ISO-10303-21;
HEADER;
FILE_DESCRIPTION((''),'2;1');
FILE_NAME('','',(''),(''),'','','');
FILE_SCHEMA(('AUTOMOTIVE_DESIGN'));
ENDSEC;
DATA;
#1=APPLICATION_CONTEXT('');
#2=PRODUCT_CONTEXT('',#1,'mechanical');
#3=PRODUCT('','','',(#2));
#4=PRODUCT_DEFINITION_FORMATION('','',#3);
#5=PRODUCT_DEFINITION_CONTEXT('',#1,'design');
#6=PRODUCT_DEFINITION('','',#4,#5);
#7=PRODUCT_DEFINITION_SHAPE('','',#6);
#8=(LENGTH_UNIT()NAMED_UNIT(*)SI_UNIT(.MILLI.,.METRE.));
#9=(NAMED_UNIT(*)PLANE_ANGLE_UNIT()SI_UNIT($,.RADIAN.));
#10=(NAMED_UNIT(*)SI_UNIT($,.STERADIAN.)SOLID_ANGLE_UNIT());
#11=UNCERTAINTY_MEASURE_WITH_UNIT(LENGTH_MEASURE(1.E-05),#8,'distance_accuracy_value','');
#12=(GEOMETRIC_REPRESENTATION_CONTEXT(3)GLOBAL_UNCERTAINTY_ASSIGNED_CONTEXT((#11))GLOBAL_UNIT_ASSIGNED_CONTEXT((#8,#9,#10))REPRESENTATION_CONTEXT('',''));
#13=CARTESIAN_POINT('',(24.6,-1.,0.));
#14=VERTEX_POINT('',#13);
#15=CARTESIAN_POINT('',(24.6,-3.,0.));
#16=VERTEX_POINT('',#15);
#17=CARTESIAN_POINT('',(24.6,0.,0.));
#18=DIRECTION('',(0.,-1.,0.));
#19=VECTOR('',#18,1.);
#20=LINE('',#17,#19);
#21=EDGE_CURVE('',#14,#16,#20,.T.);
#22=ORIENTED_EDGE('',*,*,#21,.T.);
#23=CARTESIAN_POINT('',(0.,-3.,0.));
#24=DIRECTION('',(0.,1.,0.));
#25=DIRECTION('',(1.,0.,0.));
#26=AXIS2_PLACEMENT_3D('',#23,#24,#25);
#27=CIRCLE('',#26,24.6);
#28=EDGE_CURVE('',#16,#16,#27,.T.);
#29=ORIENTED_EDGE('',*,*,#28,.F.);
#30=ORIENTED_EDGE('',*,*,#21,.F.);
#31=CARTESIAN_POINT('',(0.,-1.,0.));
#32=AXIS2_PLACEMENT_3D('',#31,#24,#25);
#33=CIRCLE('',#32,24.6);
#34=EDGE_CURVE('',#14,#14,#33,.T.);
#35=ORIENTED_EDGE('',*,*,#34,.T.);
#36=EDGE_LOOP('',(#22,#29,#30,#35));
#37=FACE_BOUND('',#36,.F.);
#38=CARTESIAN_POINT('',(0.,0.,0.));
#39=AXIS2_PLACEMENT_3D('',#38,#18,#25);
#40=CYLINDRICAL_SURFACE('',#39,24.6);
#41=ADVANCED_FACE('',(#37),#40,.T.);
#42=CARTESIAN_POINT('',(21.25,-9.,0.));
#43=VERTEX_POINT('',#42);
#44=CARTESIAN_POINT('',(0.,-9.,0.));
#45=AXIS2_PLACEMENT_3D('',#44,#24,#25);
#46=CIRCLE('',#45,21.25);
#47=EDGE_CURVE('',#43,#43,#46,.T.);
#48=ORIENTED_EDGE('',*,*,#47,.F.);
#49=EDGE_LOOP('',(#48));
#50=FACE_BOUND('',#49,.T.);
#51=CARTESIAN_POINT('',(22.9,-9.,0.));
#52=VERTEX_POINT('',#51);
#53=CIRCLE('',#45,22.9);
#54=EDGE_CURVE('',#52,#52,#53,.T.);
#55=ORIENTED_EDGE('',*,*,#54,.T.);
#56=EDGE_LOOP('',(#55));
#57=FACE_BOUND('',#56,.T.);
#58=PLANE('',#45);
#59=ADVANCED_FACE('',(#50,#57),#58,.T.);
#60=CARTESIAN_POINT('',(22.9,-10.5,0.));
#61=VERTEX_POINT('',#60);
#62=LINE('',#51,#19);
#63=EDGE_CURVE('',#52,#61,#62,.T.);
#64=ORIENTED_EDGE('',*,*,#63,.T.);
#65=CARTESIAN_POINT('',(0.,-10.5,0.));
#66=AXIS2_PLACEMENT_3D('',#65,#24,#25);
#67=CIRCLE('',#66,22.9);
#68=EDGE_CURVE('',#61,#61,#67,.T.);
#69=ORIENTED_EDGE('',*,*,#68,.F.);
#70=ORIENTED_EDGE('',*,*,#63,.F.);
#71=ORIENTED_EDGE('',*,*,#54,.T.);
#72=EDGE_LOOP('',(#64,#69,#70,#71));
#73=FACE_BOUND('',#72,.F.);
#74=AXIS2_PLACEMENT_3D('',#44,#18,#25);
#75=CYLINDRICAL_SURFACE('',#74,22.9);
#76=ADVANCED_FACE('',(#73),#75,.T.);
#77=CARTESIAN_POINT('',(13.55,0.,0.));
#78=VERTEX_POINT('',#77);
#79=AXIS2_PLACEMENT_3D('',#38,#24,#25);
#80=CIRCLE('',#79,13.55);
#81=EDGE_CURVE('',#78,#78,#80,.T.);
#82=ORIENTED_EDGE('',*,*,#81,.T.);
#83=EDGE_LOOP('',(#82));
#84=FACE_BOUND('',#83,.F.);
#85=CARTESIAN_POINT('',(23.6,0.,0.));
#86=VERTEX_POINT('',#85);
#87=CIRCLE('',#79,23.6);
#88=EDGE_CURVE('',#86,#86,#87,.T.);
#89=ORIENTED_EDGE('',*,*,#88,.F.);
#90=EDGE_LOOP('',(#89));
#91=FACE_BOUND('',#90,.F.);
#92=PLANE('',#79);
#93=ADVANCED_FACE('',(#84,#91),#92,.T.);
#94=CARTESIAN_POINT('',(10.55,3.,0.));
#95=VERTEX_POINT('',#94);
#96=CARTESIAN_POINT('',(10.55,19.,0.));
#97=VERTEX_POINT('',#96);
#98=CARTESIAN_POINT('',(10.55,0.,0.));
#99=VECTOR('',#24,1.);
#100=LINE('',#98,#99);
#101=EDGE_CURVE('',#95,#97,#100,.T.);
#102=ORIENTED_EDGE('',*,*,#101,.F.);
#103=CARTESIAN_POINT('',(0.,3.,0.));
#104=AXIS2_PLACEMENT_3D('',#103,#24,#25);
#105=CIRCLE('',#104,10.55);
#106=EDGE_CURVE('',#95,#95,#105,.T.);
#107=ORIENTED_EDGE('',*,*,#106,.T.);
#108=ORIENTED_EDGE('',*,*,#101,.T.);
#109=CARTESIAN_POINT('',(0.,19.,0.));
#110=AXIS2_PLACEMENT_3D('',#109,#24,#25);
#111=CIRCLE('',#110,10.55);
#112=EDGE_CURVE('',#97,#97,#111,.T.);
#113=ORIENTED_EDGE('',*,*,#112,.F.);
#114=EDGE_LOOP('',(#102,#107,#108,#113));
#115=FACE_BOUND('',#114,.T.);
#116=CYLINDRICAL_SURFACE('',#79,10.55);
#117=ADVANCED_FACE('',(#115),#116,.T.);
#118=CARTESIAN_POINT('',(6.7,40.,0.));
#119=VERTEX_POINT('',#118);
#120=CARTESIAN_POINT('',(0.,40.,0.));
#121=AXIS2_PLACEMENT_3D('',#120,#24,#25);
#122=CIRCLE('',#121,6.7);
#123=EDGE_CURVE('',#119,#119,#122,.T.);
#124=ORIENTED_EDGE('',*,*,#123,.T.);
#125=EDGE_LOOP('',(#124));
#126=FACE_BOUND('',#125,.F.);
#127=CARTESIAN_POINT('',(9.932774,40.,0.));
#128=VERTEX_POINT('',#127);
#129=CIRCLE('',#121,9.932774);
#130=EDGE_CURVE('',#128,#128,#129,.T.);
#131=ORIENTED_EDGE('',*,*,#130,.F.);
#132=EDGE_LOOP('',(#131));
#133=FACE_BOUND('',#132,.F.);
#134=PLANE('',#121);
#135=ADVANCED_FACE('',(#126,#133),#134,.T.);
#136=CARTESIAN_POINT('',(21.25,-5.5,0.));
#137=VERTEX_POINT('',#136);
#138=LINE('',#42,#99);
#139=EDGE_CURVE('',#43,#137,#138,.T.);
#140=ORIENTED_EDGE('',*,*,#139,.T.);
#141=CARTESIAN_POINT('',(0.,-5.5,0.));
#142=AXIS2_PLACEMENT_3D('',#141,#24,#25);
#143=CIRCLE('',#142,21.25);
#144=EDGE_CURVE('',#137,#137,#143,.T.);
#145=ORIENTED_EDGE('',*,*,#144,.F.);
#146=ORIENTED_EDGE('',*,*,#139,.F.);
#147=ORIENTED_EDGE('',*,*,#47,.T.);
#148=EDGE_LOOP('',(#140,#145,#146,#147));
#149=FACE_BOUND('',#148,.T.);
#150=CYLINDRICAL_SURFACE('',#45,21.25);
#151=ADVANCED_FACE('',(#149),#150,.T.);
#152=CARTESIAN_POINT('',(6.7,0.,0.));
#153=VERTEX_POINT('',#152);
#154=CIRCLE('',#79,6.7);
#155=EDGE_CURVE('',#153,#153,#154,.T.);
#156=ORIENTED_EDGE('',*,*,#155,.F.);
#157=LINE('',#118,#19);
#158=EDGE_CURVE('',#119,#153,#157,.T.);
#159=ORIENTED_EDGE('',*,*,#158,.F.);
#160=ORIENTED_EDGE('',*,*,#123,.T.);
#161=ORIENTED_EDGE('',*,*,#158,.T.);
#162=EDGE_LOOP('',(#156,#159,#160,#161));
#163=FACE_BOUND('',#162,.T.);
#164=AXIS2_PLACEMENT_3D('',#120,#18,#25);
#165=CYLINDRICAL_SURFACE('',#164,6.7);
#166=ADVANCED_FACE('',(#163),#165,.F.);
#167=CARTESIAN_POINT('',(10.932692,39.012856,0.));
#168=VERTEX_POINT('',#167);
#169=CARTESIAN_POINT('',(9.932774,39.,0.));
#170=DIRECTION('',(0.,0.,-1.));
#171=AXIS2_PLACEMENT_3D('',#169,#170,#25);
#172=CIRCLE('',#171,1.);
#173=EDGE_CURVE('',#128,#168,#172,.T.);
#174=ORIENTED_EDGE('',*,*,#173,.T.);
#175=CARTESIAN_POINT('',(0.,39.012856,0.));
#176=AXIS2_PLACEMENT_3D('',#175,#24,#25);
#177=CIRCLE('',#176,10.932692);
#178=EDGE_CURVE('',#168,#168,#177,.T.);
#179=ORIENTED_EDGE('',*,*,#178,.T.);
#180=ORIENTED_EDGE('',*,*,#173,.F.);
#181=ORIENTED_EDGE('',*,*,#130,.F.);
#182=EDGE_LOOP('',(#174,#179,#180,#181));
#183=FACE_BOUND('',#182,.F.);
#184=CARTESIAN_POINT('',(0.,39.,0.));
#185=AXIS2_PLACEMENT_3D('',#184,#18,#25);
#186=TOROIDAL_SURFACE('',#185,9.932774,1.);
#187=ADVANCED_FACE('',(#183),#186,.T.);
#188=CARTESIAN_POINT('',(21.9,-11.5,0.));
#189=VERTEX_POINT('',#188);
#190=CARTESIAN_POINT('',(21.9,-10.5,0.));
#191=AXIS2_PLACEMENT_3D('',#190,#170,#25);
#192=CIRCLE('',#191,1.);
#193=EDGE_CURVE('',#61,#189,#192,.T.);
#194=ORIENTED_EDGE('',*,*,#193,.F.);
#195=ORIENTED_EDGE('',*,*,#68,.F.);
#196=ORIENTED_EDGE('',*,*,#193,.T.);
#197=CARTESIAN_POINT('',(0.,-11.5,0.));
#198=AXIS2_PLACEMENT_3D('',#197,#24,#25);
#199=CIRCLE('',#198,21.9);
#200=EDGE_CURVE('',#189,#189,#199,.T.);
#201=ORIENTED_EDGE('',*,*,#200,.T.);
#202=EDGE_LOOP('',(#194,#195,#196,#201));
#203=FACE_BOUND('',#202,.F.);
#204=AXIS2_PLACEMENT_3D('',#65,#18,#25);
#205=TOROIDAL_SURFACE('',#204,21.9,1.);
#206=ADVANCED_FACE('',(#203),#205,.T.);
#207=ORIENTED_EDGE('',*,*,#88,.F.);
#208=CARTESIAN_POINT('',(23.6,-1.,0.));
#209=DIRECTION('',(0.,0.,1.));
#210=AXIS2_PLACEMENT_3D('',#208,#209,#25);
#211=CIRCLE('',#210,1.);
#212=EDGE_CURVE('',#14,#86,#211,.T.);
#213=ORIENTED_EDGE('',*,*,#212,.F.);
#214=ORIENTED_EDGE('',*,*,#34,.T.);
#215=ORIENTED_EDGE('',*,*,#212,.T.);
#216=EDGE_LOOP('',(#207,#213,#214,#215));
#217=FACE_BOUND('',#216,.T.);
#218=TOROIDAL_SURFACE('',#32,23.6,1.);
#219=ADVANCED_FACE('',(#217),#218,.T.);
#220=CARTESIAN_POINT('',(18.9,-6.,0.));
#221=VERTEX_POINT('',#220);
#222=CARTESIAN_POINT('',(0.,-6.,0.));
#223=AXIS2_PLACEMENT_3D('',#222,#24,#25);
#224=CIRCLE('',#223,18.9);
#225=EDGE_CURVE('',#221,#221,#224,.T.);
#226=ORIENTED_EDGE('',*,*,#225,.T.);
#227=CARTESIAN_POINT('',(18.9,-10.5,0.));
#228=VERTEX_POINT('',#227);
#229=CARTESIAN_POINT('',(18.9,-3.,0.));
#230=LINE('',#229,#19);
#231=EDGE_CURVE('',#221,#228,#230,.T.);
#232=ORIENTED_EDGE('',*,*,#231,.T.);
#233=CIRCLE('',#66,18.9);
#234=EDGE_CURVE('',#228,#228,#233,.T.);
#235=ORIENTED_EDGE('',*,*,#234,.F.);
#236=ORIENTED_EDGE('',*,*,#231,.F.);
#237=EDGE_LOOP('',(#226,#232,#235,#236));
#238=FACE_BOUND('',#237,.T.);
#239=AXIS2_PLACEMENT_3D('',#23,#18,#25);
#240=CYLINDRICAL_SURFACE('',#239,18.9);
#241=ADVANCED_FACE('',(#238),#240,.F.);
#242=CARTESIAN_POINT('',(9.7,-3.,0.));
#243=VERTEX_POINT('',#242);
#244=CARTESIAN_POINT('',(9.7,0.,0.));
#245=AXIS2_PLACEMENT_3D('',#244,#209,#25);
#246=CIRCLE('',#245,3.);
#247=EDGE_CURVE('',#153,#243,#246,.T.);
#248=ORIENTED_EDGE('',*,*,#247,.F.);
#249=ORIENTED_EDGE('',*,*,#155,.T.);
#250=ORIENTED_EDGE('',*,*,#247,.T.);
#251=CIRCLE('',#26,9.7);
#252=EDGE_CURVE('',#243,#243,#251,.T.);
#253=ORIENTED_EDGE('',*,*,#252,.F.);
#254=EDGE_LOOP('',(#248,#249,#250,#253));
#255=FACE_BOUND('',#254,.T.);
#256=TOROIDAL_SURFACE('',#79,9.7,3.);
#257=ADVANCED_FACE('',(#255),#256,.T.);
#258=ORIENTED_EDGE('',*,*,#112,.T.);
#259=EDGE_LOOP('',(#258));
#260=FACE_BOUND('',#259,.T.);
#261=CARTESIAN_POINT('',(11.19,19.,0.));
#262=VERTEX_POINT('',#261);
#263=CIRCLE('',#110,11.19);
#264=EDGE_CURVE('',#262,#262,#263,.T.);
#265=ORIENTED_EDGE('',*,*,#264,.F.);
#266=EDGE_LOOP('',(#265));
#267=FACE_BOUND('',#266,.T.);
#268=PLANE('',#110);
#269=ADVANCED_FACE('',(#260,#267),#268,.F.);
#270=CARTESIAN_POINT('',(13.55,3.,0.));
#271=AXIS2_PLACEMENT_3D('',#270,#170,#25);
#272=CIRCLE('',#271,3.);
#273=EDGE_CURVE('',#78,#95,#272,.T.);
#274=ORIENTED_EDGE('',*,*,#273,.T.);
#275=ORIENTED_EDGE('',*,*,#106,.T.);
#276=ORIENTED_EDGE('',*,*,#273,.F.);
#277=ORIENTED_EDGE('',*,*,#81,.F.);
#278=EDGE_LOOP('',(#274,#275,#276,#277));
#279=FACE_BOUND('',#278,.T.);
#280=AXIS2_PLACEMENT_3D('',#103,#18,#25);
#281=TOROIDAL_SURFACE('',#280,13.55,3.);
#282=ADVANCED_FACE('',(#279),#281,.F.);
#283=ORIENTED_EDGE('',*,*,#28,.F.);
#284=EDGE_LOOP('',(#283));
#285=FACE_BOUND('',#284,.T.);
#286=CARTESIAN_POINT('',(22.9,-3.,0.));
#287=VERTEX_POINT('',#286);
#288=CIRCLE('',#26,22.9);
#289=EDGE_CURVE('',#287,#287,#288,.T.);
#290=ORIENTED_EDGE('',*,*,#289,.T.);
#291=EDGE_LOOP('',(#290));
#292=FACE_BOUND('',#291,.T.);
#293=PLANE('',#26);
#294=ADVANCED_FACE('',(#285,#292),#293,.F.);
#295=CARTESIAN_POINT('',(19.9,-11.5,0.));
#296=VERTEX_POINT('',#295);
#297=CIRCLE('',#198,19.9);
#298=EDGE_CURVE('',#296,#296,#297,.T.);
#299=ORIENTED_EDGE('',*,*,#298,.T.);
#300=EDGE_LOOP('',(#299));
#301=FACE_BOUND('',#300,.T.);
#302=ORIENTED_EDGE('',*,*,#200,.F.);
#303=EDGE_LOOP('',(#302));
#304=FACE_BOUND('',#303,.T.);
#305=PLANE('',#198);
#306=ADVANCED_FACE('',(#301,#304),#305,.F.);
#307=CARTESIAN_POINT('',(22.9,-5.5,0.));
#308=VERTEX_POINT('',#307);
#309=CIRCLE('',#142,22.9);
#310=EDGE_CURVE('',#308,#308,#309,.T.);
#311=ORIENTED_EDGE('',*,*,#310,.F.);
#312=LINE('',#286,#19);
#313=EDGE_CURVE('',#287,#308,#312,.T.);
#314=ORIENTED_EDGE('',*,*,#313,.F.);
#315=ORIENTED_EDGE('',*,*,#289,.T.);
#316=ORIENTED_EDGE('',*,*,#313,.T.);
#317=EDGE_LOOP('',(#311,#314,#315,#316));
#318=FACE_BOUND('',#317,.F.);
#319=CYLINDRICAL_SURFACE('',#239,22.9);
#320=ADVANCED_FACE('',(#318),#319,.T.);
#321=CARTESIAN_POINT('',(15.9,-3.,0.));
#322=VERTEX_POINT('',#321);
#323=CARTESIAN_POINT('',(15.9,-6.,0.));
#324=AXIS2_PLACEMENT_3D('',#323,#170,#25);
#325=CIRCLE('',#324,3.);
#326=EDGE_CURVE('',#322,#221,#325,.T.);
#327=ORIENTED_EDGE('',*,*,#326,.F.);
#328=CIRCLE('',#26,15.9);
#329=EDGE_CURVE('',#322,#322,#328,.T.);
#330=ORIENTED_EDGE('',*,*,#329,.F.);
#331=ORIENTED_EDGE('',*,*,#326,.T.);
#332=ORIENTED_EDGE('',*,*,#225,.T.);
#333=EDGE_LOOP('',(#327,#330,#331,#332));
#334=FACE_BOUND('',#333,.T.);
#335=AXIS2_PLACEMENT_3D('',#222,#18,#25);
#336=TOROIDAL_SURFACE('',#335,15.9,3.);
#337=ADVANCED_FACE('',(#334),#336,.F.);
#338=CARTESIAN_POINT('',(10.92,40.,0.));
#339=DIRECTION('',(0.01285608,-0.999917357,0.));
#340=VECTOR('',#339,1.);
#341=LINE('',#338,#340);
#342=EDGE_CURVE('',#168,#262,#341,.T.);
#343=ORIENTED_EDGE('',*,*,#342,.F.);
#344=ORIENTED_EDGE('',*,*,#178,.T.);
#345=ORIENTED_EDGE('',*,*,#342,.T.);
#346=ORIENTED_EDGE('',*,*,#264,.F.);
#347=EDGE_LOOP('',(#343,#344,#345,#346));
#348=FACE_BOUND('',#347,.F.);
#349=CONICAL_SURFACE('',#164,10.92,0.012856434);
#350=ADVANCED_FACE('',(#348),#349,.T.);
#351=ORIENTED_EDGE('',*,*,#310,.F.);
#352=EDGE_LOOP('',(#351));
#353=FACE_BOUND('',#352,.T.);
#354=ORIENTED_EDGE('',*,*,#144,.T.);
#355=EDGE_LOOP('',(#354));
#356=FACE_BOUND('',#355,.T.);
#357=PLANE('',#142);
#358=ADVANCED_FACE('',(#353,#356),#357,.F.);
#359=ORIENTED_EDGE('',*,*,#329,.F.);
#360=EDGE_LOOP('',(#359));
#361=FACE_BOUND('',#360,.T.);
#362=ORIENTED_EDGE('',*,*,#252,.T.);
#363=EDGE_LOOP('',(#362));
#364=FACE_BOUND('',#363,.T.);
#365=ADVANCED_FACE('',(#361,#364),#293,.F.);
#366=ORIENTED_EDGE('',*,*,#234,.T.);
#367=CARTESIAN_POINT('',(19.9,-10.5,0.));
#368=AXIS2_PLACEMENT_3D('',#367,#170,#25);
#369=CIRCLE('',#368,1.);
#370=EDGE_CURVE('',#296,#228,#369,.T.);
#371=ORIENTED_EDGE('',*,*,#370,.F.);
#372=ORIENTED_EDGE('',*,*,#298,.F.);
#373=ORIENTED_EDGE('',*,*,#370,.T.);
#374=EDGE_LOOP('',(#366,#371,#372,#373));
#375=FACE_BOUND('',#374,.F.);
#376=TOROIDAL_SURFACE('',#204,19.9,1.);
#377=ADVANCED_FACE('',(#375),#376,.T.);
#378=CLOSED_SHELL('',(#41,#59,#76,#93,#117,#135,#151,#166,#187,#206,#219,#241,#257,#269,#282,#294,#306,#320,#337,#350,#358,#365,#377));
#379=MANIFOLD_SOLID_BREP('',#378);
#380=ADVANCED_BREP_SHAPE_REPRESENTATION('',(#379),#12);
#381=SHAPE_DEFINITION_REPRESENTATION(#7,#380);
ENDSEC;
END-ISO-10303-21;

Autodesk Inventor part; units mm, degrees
ref_plane "YZ Plane" through (0, 0, 0) normal (1, 0, 0) x (0, 1, 0)
ref_plane "XZ Plane" through (0, 0, 0) normal (0, 1, 0) x (-1, 0, 0)
ref_plane "XY Plane" through (0, 0, 0) normal (0, 0, 1) x (1, 0, 0)
sketch "Sketch1" plane through (0, 0, 0) normal (0, 0, 1) x (1, 0, 0)
  line L0 (-24.6, 0) -> (24.6, 0) construction
  line L1 (24.6, 0) -> (24.6, -3)
  line L2 (24.6, -3) -> (-24.6, -3) construction
  line L3 (-24.6, -3) -> (-24.6, 0)
  line L4 (-22.9, -3) -> (22.9, -3) construction
  line L5 (22.9, -3) -> (22.9, -11.5) construction
  line L6 (22.9, -11.5) -> (-22.9, -11.5) construction
  line L7 (-22.9, -11.5) -> (-22.9, -3)
  line L8 (22.9, -9) -> (21.25, -9)
  line L9 (21.25, -9) -> (21.25, -5.5)
  line L10 (21.25, -5.5) -> (22.9, -5.5)
  line L11 (22.9, -5.5) -> (22.9, -9) construction
  line L12 (-10.55, 40) -> (10.55, 40) construction
  line L13 (10.55, 40) -> (10.55, 0) construction
  line L14 (10.55, 0) -> (-10.55, 0) construction
  line L15 (-10.55, 0) -> (-10.55, 40) construction
  line L16 (-10.92, 40) -> (10.92, 40) construction
  line L17 (-11.19, 19) -> (11.19, 19) construction
  line L18 (-10.92, 40) -> (-11.19, 19)
  line L19 (10.92, 40) -> (11.19, 19)
  line L20 (-6.7, 40) -> (6.7, 40) construction
  line L21 (6.7, 40) -> (6.7, -3) construction
  line L22 (6.7, -3) -> (-6.7, -3) construction
  line L23 (-6.7, -3) -> (-6.7, 40) construction
  line L24 (-18.9, -3) -> (18.9, -3) construction
  line L25 (18.9, -3) -> (18.9, -11.5)
  line L26 (18.9, -11.5) -> (-18.9, -11.5) construction
  line L27 (-18.9, -11.5) -> (-18.9, -3)
  line L28 (-22.9, -11.5) -> (-18.9, -11.5)
  line L29 (18.9, -11.5) -> (22.9, -11.5)
  line L30 (-24.6, -3) -> (-22.9, -3)
  line L31 (-18.9, -3) -> (-6.7, -3)
  line L32 (6.7, -3) -> (18.9, -3)
  line L33 (22.9, -3) -> (24.6, -3)
  line L34 (22.9, -3) -> (22.9, -5.5)
  line L35 (22.9, -9) -> (22.9, -11.5)
  line L36 (10.55, 0) -> (24.6, 0)
  line L37 (-10.92, 40) -> (-6.7, 40)
  line L38 (6.7, 40) -> (10.92, 40)
  line L39 (10.55, 0) -> (10.55, 19)
  line L40 (10.55, 19) -> (11.19, 19)
  line L41 (-11.19, 19) -> (-10.55, 19)
  line L42 (-10.55, 19) -> (-10.55, 5.3907)
  line L43 (-6.7, 40) -> (-6.7, -3)
  line L44 (6.7, 40) -> (6.7, -3)
  line L45 (10.55, 0) -> (24.6, 0)
  line L46 (0, -21.8) -> (0, 50.3) projected
  point P0 (0, 0)
  point P1 (0, 0)
  point P2 (0, -3)
  point P3 (22.9, -7.25)
  point P4 (22.9, -7.25)
  point P5 (0, 0)
  point P6 (0, 40)
  point P7 (0, 19)
  point P8 (0, 40)
  point P9 (0, -11.5)
  point P10 (0, -3)
  point P11 (-22.9, -7.25)
  dimension "d0" = 49.2
  dimension "d1" = 3
  dimension "d2" = 45.8
  dimension "d3" = 8.5
  dimension "d4" = 3.5
  dimension "d5" = 1.65
  dimension "d6" = 40
  dimension "d7" = 21.1
  dimension "d8" = 21.84
  dimension "d9" = 22.38
  dimension "d10" = 21
  dimension "d11" = 13.4
  dimension "d12" = 4
revolve "Revolution1" add sketch "Sketch1" angle 360 about axis through (0, -10, 0) along (0, 1, 0)
fillet "Fillet1" radius 1 4 edges at (-10.92, 40, 0) (-24.6, 0, 0) (-22.9, -11.5, 0) (-18.9, -11.5, 0)
fillet "Fillet2" radius 3 3 edges at (-10.55, 0, 0) (-6.7, -3, 0) (-18.9, -3, 0)
properties part number "Rebreather-HoseAdapterInsert_3DPrint"
